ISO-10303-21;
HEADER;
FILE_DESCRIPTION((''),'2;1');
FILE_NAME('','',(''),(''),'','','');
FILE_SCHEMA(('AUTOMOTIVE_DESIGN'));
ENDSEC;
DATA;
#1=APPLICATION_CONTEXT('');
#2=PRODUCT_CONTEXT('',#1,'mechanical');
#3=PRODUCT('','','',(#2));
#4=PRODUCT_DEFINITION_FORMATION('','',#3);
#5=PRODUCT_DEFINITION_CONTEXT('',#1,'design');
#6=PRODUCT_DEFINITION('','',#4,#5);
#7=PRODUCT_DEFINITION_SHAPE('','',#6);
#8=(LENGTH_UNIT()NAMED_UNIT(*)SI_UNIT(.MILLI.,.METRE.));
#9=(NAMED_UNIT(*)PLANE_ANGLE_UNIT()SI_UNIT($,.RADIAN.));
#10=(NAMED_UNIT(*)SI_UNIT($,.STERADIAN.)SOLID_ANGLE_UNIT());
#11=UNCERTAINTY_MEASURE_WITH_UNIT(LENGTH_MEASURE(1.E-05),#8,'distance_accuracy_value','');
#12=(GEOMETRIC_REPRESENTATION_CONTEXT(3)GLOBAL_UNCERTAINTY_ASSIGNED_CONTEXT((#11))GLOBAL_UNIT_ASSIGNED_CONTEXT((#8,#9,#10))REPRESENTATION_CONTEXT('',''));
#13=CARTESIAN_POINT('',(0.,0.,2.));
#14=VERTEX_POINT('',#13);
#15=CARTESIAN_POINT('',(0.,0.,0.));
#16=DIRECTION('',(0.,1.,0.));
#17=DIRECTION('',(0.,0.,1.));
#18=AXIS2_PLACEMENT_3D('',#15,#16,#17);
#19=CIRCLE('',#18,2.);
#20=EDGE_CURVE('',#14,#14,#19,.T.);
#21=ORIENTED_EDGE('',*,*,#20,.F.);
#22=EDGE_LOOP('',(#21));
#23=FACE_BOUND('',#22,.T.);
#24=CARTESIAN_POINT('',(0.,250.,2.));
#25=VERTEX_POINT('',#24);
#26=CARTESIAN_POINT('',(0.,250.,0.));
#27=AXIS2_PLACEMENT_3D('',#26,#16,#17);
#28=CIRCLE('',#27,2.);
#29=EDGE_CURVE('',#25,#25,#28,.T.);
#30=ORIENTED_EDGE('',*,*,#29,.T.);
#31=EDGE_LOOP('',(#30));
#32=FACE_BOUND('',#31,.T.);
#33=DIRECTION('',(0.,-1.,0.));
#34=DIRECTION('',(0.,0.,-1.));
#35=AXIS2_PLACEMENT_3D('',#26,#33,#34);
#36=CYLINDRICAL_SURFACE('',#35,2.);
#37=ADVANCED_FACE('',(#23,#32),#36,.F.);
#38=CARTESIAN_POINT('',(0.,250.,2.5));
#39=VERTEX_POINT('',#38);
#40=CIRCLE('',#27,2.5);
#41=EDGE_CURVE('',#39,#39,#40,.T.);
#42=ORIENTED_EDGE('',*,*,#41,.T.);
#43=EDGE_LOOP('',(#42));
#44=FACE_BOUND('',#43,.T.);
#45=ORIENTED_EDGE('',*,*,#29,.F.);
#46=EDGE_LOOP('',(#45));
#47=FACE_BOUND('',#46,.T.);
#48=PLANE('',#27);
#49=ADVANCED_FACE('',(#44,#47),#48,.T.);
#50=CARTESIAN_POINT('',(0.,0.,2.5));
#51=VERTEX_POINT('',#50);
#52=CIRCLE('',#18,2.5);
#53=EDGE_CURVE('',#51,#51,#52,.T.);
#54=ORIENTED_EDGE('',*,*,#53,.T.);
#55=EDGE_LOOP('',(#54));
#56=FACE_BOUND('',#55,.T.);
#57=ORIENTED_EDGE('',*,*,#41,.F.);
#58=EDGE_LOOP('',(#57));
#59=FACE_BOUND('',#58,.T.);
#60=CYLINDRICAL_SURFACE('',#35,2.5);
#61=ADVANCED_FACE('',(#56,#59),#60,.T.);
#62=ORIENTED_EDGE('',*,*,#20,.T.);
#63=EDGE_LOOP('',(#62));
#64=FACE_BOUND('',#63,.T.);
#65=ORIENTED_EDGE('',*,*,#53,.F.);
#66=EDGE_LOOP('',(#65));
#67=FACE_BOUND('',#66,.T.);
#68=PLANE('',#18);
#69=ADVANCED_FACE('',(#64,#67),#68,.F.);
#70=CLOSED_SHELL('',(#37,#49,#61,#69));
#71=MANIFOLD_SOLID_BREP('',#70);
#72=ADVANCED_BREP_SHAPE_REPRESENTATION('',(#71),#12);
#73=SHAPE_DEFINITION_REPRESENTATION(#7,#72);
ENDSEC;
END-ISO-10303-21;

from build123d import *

# Parameters (mm, degrees)
SKETCH_1_R      = 2.5
SKETCH_1_R_2    = 2
EXTRUDE_1_DEPTH = 250


with BuildPart() as part:
    # 草图1 → 凸台-拉伸1 (new body)
    with BuildSketch(Plane(origin=(0, 0, 0), x_dir=(1, 0, 0), z_dir=(0, 1, 0))):
        with Locations(Location((0, 0, 0), (0, 0, 270))):
            Circle(SKETCH_1_R)
        with Locations(Location((0, 0, 0), (0, 0, 270))):
            Circle(SKETCH_1_R_2, mode=Mode.SUBTRACT)
    extrude(amount=EXTRUDE_1_DEPTH)


solid = part.part
